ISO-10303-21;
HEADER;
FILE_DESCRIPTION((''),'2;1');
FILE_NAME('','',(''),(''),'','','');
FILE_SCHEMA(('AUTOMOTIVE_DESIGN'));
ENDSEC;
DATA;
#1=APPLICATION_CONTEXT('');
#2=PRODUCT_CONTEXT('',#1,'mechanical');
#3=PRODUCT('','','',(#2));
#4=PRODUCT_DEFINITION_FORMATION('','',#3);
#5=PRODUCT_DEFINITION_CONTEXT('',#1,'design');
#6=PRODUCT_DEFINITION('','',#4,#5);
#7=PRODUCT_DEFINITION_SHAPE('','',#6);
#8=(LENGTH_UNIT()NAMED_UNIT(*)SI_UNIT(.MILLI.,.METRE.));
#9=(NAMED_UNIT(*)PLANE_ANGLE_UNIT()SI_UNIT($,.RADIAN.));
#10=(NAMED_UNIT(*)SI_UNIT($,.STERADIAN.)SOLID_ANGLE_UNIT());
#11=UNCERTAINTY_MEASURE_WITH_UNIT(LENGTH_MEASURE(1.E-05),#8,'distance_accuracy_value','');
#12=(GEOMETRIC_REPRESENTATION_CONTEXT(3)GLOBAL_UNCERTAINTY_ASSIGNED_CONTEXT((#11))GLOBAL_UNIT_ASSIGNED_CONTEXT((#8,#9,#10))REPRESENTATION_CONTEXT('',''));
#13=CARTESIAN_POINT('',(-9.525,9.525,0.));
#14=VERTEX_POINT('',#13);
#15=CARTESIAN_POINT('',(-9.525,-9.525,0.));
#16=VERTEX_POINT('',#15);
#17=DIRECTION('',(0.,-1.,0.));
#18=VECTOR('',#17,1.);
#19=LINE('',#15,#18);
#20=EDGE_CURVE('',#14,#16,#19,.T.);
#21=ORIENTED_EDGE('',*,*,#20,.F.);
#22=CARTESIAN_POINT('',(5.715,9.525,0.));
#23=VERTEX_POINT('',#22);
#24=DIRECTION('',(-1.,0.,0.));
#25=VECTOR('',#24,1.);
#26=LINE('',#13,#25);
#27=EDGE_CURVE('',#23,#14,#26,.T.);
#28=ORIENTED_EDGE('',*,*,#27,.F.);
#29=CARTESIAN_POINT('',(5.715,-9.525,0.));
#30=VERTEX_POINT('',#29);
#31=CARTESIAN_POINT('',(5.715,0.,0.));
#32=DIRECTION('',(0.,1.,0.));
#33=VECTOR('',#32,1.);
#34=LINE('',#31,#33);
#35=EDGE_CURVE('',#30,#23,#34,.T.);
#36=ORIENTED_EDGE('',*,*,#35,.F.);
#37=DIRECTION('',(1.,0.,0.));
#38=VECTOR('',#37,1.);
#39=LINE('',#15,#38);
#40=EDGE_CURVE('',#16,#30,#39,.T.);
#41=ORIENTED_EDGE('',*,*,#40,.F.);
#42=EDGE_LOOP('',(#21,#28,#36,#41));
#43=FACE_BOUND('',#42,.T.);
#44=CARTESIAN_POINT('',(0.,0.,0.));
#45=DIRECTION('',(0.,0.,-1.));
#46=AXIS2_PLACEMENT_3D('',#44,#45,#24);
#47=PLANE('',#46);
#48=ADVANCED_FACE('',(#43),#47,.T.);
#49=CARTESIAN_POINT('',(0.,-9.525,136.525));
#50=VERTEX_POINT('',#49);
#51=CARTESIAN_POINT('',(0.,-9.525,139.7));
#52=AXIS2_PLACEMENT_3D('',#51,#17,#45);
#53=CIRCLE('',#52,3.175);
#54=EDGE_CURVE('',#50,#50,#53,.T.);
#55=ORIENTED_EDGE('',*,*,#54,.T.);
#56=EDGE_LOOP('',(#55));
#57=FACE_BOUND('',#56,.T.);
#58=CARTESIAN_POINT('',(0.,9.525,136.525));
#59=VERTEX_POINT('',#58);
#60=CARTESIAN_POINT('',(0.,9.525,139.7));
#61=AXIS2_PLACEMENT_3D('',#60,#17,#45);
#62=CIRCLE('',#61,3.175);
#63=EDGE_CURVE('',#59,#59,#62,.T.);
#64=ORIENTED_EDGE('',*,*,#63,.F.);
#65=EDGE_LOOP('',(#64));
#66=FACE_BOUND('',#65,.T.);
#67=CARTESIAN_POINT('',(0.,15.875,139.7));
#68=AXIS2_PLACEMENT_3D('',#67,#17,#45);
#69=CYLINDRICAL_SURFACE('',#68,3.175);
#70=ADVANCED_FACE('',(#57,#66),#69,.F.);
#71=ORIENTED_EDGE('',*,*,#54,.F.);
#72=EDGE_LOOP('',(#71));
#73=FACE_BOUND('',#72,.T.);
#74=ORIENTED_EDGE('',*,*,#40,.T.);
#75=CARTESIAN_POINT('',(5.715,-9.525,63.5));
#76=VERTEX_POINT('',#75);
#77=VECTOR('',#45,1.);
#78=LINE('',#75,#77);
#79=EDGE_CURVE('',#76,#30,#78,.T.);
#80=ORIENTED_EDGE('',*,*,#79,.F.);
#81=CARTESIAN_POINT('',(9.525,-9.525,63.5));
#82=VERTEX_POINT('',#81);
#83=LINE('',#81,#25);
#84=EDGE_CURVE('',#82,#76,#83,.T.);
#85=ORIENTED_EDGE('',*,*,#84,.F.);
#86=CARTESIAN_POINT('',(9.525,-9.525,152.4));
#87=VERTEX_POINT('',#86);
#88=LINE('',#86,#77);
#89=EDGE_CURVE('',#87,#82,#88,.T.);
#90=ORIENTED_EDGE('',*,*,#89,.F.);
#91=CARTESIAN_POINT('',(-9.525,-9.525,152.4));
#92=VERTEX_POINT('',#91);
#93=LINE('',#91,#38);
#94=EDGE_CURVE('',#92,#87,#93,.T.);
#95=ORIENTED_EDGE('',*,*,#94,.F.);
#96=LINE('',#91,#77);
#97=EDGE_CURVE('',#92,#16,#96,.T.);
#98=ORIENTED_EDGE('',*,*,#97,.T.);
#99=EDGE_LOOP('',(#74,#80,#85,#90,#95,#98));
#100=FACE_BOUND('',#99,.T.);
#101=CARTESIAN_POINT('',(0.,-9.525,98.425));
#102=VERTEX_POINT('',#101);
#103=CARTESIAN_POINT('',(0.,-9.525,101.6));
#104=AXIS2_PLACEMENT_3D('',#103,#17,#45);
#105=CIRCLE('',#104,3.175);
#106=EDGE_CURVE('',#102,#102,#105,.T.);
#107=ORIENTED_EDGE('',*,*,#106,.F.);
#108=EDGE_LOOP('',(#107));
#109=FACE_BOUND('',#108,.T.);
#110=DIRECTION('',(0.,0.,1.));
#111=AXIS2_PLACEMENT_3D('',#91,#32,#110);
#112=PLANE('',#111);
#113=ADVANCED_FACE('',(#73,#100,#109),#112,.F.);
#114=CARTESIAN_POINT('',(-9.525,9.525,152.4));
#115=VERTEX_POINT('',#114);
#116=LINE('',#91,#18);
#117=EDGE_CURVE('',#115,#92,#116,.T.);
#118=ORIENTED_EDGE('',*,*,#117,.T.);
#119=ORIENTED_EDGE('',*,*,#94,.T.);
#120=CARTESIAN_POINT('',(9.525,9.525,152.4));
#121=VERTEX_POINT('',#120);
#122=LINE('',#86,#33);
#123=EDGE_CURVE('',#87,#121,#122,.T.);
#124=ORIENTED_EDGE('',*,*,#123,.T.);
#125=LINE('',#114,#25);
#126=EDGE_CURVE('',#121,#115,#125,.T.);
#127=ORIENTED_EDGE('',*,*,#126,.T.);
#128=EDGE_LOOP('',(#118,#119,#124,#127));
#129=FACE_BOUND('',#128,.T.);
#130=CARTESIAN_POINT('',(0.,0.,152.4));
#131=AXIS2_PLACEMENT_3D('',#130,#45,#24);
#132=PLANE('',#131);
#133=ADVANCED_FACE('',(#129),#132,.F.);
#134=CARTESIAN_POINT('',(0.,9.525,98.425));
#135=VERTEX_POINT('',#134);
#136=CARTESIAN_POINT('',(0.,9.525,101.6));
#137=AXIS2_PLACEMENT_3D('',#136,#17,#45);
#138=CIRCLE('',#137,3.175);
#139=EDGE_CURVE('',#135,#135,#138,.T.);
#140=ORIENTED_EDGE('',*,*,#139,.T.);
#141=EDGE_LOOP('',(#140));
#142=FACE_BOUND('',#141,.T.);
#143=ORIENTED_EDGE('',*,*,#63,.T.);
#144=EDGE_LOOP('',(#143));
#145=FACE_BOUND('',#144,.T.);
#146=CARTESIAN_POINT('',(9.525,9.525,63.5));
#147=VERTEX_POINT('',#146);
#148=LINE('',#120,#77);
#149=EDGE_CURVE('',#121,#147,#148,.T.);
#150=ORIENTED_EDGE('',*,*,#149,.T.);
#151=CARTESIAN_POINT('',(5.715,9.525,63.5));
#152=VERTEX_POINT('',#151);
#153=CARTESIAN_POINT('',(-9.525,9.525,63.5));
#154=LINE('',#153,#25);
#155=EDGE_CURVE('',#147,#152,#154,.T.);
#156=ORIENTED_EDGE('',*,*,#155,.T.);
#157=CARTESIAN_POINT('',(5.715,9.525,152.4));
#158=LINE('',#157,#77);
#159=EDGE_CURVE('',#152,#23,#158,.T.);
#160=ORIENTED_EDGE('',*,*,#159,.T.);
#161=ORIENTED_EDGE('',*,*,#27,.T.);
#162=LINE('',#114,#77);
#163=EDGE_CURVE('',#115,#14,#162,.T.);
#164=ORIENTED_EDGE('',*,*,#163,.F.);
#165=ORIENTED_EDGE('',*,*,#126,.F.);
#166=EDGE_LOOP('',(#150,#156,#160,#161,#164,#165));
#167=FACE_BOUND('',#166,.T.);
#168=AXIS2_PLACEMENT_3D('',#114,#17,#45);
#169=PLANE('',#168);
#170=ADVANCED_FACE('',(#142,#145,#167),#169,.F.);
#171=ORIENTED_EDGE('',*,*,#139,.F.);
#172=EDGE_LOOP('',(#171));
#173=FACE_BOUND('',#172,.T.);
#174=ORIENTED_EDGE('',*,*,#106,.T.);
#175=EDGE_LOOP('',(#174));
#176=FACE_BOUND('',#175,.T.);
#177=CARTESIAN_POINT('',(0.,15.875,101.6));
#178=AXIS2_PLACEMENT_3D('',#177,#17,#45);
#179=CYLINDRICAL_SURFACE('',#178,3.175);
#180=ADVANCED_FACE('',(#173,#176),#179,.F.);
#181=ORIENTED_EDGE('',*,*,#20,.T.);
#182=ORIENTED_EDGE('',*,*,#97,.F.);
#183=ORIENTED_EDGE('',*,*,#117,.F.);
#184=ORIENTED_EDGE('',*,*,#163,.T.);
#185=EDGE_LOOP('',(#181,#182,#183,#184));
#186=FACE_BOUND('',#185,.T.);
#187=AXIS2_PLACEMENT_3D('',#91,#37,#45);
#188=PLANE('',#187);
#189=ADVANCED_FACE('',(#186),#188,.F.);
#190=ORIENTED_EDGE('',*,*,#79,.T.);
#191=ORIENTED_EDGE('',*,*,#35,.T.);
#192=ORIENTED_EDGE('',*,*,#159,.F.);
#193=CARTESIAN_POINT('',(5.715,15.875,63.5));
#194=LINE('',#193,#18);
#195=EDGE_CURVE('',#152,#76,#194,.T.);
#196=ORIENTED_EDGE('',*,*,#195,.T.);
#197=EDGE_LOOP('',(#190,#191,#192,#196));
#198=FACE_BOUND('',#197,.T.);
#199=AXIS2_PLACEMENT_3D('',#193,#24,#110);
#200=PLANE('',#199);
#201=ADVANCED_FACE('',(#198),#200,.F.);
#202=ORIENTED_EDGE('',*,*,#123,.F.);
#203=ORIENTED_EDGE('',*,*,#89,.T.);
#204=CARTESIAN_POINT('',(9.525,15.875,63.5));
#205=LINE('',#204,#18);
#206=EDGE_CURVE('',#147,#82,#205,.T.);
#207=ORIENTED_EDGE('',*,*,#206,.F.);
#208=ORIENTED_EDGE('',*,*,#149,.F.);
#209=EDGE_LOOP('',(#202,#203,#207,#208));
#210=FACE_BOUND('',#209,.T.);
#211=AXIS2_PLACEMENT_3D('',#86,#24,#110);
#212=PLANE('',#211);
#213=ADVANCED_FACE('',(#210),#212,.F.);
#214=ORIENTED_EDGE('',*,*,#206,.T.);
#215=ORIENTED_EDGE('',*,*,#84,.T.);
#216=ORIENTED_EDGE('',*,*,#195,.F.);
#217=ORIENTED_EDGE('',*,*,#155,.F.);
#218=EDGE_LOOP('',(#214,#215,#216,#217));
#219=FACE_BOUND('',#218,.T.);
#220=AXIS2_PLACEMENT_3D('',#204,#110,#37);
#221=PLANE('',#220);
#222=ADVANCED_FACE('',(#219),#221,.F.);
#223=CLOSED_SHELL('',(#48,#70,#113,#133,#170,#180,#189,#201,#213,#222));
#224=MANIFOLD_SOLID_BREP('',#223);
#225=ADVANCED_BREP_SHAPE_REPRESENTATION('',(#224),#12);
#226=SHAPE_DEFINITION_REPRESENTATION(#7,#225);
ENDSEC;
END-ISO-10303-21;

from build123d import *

# Parameters (mm, degrees)
SKETCH1_W           = 19.05
SKETCH1_H           = 19.05
BOSS_EXTRUDE1_DEPTH = 152.4
SKETCH3_R           = 3.175
SKETCH3_W           = 3.81
SKETCH3_H           = 63.5
CUT_EXTRUDE1_DEPTH  = 25.4


with BuildPart() as part:
    # Sketch1 → Boss-Extrude1 (new body)
    with BuildSketch(Plane.XY):
        Rectangle(SKETCH1_W, SKETCH1_H)
    extrude(amount=BOSS_EXTRUDE1_DEPTH)

    # Sketch3 → Cut-Extrude1 (cut)
    with BuildSketch(Plane.XZ.offset(9.525)):
        with Locations(Location((0, 139.7, 0), (0, 0, 270))):
            Circle(SKETCH3_R)
        with Locations(Location((0, 101.6, 0), (0, 0, 270))):
            Circle(SKETCH3_R)
        with Locations((7.62, 31.75)):
            Rectangle(SKETCH3_W, SKETCH3_H)
    extrude(amount=-CUT_EXTRUDE1_DEPTH, mode=Mode.SUBTRACT)


solid = part.part
